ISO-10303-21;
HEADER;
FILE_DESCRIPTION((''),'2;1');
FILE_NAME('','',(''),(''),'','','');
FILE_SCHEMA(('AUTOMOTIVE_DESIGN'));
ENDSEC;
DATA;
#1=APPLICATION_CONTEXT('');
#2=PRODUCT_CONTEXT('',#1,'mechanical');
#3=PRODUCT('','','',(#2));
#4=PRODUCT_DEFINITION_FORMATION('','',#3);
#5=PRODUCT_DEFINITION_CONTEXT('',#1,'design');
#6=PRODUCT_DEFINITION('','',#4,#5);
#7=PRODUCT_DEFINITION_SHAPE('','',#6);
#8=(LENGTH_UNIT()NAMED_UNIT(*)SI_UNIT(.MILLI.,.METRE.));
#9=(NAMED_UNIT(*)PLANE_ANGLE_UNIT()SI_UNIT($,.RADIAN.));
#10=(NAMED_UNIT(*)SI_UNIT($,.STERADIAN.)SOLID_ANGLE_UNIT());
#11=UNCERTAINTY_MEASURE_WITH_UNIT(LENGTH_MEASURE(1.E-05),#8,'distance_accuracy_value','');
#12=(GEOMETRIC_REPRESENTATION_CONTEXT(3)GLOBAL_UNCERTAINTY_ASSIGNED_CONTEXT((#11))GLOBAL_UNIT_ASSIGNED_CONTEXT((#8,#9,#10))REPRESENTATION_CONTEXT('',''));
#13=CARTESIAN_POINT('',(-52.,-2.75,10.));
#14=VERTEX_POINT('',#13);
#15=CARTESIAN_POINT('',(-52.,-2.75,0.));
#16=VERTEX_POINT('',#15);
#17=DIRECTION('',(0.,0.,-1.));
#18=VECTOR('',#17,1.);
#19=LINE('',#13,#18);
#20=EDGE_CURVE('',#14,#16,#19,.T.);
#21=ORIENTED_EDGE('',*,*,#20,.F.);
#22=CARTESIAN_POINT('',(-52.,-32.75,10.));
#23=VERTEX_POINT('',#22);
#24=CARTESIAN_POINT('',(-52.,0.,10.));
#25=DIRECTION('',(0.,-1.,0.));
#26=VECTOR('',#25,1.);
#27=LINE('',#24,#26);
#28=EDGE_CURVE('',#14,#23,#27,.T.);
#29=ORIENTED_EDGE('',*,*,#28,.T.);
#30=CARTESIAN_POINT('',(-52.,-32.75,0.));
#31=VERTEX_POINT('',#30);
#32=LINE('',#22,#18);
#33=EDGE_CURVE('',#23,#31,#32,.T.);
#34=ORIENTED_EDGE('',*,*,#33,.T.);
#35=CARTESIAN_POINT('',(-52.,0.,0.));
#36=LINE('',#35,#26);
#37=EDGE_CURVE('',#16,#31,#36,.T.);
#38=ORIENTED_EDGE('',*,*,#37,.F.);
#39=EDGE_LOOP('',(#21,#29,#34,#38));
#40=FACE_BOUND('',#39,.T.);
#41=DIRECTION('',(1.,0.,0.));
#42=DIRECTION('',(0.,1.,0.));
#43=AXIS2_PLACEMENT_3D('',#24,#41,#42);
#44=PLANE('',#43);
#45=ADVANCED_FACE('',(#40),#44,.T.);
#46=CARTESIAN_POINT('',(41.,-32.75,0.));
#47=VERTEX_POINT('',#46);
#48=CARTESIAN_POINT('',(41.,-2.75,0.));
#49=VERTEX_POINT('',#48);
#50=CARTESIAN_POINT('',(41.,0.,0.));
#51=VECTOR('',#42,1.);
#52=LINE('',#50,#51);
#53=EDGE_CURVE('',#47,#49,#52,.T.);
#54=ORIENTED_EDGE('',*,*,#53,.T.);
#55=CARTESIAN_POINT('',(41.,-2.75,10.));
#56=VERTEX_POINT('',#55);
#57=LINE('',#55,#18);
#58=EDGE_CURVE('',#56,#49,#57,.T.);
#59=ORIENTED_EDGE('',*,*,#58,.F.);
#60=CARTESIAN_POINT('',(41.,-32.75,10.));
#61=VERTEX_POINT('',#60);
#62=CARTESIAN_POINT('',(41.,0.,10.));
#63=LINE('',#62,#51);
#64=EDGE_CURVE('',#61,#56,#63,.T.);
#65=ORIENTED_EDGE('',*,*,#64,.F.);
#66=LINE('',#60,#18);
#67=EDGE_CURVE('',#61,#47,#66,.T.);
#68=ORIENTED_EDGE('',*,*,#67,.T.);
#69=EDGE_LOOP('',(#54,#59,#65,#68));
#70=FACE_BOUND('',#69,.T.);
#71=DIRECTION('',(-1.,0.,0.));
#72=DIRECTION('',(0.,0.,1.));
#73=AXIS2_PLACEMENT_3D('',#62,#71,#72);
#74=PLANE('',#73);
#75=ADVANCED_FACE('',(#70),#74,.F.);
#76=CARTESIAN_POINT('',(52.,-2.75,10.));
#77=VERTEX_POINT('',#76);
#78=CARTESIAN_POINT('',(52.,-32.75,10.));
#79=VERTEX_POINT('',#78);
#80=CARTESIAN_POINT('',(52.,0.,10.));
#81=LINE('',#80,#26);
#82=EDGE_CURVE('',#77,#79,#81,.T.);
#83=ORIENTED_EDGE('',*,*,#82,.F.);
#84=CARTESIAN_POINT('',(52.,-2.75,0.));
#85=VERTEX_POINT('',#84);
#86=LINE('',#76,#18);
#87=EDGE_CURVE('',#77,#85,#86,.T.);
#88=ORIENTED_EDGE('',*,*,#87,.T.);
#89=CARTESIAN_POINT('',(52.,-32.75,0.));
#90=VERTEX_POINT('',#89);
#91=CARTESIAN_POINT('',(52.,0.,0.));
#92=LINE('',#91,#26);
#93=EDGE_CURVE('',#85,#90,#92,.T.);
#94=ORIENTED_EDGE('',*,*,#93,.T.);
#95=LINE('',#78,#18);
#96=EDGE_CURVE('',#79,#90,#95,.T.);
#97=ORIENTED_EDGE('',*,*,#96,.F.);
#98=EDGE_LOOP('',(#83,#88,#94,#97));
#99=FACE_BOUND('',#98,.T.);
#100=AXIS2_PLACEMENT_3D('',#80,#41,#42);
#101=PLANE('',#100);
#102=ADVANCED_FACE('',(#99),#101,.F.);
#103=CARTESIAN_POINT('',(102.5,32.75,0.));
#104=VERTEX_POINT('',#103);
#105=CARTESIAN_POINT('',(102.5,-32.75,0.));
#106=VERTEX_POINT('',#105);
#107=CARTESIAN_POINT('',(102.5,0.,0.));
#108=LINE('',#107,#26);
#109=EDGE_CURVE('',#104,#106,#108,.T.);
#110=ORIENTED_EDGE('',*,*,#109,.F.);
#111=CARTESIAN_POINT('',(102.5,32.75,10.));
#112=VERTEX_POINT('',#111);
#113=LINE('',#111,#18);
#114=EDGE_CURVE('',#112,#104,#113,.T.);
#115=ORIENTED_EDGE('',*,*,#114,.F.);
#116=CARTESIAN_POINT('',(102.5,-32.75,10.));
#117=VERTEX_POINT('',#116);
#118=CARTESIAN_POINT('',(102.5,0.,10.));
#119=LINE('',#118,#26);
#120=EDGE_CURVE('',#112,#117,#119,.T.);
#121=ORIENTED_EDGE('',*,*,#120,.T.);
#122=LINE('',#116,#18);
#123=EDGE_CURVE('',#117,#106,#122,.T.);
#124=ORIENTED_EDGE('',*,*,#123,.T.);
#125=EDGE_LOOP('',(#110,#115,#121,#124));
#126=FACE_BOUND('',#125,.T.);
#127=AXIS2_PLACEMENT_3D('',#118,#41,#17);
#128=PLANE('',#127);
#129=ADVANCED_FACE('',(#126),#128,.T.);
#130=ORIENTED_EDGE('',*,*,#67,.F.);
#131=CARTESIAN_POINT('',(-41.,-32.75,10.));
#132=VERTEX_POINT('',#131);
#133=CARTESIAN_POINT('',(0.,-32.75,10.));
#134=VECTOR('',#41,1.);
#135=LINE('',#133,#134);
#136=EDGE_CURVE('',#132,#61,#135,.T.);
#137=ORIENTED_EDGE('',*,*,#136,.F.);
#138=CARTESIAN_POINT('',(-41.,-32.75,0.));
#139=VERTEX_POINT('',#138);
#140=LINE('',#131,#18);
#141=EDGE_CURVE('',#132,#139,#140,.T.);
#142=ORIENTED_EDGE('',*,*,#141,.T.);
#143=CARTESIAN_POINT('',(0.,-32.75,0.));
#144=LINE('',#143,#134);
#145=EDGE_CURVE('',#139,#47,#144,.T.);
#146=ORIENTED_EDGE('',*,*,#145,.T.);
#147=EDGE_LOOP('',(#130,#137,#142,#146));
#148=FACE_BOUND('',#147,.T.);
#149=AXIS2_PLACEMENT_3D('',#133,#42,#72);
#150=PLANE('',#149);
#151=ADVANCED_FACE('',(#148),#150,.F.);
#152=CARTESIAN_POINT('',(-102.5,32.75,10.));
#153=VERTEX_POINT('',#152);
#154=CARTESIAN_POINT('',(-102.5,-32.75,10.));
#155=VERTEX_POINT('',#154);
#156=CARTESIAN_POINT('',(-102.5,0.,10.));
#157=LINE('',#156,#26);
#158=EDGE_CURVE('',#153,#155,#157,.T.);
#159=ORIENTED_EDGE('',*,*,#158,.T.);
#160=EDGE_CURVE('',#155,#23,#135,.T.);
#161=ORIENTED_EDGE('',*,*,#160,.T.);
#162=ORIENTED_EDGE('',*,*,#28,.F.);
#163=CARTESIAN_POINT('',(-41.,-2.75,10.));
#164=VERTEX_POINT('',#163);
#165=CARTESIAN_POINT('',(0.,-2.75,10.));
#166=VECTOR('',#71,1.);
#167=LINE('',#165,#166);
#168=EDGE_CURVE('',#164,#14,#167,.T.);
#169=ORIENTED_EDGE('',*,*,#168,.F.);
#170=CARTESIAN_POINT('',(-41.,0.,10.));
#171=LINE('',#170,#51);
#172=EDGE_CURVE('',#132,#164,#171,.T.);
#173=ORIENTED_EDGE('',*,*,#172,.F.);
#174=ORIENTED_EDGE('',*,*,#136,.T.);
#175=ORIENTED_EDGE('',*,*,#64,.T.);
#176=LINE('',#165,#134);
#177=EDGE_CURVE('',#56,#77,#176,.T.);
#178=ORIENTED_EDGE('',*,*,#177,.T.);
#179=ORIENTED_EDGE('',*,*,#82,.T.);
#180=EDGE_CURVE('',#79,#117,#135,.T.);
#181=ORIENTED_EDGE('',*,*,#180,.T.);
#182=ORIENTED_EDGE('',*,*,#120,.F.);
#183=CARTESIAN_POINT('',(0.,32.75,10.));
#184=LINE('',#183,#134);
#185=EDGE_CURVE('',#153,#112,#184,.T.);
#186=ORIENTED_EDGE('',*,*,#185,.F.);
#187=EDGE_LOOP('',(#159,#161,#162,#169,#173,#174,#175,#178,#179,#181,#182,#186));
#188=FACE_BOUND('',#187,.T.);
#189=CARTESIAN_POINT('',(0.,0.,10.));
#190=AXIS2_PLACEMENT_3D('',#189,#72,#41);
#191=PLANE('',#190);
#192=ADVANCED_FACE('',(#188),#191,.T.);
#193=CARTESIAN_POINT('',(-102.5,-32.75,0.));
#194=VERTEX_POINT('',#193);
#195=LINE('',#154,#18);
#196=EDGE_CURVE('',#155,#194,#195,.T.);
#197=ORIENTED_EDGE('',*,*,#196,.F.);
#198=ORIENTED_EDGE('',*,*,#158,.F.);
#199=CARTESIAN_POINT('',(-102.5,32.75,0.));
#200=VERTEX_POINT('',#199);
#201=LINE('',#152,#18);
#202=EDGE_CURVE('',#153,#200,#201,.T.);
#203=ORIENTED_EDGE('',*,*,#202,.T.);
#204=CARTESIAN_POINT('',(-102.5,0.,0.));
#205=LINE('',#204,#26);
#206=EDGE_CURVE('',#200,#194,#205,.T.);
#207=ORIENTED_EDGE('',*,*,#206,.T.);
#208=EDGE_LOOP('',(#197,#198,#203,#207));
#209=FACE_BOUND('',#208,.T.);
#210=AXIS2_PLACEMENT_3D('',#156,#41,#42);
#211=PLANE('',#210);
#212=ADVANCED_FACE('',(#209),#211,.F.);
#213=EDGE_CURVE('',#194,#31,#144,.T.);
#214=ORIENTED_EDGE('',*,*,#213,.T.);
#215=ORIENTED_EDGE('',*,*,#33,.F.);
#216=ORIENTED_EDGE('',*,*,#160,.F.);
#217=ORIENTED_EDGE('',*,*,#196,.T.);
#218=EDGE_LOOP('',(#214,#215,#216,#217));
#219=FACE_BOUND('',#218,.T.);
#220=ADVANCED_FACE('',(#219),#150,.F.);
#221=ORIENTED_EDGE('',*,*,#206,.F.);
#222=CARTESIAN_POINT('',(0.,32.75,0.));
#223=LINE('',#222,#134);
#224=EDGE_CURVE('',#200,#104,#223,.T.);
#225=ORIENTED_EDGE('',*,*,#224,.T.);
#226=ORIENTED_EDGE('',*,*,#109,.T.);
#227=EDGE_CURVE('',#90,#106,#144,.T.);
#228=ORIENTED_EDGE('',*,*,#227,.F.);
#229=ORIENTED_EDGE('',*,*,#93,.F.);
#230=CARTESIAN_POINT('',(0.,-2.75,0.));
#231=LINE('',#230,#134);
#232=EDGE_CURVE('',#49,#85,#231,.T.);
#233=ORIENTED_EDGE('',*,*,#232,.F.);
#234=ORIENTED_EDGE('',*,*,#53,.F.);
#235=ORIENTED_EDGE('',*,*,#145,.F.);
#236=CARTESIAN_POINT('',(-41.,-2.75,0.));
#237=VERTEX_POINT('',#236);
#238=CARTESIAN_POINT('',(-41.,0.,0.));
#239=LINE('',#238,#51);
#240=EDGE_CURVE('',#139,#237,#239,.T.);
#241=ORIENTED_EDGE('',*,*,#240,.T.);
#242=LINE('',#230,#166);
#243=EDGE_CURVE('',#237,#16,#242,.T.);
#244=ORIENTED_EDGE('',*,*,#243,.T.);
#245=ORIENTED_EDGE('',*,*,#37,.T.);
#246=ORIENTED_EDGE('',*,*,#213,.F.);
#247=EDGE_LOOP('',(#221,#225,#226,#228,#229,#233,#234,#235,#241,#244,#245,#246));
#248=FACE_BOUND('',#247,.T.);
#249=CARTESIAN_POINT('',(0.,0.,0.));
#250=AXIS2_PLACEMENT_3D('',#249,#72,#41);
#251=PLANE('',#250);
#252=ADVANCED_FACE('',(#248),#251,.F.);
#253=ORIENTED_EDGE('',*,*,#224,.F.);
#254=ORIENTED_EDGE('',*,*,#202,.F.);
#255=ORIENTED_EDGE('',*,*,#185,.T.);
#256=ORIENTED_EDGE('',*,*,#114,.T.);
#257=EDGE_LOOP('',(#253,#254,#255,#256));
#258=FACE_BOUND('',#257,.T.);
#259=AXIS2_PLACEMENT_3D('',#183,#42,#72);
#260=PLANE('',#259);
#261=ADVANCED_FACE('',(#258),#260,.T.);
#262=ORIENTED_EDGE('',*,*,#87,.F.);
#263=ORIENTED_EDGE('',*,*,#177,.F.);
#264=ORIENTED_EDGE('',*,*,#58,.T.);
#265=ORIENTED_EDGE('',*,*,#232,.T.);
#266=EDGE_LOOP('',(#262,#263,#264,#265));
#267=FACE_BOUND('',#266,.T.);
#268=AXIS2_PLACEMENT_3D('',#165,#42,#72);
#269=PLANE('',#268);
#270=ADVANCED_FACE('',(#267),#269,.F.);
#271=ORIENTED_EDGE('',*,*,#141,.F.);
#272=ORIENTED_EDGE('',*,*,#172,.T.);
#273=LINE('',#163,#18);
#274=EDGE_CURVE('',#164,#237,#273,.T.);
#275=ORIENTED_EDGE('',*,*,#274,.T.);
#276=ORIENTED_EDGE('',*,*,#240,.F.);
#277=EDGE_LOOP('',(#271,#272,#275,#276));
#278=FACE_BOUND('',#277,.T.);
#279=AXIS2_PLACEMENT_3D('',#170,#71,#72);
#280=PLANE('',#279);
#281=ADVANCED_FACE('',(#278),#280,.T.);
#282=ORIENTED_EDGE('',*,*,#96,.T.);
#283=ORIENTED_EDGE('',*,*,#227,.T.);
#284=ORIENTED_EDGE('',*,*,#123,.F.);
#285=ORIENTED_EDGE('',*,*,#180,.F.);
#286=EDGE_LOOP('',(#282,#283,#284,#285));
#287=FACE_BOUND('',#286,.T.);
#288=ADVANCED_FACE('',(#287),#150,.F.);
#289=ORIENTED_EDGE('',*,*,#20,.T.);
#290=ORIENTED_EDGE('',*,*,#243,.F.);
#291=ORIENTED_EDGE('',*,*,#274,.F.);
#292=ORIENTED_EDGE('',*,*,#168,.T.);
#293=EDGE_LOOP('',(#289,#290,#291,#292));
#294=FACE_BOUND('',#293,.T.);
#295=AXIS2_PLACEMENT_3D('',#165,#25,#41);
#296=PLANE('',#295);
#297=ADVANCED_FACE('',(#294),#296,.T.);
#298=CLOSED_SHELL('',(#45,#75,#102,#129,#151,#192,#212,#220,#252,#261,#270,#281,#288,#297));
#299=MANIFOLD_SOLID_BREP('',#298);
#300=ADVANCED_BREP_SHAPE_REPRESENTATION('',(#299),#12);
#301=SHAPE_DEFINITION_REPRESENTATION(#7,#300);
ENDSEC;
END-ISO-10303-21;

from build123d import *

# Parameters (mm, degrees)
EXTRUDE_1_DEPTH = 10


with BuildPart() as part:
    # 草图1 → 凸台-拉伸1 (new body)
    with BuildSketch(Plane.XY):
        Polygon((52, -2.75), (52, -32.75), (102.5, -32.75), (102.5, 32.75), (-102.5, 32.75), (-102.5, -32.75), (-52, -32.75), (-52, -2.75), (-41, -2.75), (-41, -32.75), (41, -32.75), (41, -2.75), align=None)
    extrude(amount=EXTRUDE_1_DEPTH)


solid = part.part
